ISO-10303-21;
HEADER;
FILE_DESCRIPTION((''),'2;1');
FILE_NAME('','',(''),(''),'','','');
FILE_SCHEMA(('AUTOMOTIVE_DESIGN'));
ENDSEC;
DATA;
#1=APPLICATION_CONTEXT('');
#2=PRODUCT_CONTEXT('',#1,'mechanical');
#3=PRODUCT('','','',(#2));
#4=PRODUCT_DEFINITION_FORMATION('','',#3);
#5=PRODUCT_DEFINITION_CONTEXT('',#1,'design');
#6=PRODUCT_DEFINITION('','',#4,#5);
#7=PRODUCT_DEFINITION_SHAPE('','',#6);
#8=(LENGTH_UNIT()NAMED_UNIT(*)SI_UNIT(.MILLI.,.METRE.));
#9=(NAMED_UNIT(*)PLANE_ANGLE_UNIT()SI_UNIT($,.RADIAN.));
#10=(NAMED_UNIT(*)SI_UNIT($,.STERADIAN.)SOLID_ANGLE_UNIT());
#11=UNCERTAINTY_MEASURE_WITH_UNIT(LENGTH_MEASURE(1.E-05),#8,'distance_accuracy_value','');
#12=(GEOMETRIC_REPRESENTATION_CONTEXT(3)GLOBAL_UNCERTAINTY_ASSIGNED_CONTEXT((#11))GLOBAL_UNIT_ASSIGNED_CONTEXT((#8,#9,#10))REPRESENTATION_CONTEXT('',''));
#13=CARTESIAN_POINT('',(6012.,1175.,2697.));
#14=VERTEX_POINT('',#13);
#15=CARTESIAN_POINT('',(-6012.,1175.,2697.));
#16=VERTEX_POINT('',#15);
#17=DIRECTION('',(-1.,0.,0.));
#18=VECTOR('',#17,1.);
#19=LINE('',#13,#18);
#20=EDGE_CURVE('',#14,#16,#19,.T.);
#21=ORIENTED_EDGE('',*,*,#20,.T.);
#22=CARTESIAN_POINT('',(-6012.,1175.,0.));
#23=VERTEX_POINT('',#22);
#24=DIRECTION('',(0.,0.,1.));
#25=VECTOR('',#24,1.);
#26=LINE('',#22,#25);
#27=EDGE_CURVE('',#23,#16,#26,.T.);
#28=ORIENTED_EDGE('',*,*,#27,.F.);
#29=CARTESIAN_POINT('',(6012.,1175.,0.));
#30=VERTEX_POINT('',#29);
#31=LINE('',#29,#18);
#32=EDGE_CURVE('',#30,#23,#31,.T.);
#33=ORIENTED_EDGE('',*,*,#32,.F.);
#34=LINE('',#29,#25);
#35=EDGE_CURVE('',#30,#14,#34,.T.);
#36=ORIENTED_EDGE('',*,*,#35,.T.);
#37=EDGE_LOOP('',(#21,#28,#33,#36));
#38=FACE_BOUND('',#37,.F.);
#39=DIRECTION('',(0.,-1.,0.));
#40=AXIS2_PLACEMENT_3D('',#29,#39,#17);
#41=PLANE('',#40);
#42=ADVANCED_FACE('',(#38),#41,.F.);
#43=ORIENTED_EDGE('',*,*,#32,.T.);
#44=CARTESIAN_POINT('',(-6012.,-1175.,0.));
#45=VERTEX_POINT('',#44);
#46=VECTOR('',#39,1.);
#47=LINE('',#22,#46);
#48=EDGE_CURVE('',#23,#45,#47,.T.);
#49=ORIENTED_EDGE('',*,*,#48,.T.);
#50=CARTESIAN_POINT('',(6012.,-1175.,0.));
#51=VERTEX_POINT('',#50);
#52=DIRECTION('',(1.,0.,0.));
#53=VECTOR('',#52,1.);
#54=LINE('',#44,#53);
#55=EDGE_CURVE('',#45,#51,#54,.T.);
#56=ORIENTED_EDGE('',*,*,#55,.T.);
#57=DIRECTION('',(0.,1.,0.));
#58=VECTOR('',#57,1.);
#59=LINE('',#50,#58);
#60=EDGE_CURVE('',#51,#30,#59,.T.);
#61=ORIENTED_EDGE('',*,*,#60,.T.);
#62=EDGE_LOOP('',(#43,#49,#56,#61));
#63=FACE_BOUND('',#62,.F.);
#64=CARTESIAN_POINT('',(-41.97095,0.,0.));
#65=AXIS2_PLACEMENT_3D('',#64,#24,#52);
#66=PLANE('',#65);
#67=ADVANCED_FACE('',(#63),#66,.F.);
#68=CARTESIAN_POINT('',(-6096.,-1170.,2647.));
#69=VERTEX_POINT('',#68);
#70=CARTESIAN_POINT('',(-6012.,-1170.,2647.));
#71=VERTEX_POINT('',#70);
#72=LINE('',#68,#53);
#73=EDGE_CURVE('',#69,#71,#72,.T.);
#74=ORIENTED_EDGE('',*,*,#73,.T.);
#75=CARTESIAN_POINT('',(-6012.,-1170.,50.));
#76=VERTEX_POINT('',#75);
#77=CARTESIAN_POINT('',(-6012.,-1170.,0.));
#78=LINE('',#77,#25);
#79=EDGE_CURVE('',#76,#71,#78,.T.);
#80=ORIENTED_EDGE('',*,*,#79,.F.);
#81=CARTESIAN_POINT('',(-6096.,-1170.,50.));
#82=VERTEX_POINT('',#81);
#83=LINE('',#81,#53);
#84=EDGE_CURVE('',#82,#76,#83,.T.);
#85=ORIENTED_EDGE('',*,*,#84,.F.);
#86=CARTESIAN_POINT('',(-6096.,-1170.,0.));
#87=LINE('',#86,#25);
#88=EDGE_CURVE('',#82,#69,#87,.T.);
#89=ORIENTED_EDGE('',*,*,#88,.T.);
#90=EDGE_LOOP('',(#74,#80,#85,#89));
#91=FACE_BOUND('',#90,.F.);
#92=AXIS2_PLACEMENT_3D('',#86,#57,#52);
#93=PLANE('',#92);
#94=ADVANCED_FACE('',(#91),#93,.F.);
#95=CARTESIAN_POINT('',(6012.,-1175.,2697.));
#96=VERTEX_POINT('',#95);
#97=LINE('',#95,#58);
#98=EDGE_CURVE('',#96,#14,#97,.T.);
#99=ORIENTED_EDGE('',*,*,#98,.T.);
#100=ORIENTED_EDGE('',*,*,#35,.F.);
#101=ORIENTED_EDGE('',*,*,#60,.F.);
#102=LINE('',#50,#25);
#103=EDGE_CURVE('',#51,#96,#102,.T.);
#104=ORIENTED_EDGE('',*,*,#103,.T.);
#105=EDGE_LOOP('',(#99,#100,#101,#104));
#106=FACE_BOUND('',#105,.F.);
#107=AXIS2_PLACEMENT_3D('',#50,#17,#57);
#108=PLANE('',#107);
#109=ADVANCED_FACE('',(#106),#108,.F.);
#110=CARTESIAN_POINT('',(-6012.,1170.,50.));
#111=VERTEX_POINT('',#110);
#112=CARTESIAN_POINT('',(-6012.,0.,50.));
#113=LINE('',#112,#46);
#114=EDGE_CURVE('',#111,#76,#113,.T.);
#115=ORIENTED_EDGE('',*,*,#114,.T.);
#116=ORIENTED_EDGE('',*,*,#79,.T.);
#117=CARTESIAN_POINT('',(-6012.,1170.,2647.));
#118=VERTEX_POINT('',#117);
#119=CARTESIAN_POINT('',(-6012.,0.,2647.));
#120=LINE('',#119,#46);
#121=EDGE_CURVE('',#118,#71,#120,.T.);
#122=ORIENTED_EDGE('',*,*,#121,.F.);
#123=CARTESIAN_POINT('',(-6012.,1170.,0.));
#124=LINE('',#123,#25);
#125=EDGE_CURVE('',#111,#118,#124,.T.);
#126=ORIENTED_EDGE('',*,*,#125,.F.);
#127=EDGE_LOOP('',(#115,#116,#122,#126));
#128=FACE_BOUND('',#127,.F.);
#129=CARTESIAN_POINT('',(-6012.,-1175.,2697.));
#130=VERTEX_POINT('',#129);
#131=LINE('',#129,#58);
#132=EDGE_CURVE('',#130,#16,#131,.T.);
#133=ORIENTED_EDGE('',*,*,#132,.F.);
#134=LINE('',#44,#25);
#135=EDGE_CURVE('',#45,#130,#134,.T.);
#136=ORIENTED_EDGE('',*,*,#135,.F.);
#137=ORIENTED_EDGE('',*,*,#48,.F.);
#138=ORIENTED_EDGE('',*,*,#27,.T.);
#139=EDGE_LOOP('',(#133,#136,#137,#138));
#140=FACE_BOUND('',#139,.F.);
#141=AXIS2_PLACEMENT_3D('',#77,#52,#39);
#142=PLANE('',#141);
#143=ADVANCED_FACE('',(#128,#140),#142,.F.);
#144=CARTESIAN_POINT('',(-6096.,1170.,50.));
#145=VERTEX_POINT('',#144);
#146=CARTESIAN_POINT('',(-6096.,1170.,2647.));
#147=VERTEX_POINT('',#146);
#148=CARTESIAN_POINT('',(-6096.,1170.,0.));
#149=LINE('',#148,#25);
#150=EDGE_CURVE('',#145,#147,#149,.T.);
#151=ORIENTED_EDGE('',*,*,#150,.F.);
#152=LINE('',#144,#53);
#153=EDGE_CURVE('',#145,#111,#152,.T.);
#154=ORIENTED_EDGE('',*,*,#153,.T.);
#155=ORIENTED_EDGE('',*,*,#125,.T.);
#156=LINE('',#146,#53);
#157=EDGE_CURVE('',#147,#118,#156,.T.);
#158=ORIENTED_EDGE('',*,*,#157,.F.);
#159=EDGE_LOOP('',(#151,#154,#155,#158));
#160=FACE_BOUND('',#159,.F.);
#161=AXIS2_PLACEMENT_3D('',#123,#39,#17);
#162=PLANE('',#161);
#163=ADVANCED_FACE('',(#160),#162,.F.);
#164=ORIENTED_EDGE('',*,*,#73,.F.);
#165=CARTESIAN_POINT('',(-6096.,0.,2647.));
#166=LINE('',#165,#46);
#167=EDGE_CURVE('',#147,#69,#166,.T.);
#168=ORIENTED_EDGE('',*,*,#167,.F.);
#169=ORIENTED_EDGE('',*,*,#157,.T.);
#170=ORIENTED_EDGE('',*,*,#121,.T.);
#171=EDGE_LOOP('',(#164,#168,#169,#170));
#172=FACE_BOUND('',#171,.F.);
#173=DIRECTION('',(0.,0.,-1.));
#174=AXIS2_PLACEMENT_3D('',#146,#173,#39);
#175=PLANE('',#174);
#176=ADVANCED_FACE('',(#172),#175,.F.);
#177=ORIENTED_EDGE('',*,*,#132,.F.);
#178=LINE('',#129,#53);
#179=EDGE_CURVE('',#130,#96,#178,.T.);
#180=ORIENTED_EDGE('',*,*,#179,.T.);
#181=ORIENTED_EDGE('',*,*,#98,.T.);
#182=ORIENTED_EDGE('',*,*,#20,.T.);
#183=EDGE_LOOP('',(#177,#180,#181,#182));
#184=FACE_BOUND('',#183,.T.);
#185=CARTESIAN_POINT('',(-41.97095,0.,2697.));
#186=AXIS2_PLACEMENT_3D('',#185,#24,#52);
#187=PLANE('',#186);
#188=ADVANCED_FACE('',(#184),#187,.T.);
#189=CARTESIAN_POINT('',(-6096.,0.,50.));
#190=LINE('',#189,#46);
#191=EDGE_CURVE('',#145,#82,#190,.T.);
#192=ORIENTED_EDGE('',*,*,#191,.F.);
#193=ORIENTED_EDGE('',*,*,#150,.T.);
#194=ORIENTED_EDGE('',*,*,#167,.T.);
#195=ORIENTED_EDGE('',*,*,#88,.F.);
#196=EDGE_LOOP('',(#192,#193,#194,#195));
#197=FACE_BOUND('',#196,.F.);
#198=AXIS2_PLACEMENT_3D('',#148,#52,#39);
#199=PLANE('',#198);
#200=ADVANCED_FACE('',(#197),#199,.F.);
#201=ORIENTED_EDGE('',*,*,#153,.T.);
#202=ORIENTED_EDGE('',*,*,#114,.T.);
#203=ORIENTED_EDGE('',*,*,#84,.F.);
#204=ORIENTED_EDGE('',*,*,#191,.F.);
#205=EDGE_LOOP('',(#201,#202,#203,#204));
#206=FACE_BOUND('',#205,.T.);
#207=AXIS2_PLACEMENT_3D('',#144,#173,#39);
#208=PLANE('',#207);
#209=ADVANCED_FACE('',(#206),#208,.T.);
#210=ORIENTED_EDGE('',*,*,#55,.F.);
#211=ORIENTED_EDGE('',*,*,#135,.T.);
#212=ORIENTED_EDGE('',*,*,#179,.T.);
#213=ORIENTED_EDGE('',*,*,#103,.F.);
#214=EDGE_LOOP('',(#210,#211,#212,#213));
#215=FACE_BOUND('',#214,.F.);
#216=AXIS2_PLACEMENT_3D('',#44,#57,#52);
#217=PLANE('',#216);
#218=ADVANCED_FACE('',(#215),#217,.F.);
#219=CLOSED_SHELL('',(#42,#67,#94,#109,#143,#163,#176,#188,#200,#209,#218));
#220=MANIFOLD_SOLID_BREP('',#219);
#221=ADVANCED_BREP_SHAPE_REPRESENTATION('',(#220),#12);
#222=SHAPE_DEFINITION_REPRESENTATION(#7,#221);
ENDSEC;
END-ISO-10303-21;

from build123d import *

# Parameters (mm, degrees)
F1_DEPTH = 2697
F2_W     = 2340
F2_H     = 50
F3_DEPTH = 84


with BuildPart() as f1:
    # F0 (on Top) → F1 (new body)
    with BuildSketch(Plane.XY):
        Polygon((-6012, -1175), (6012, -1175), (6012, 1175), (-6012, 1175), (-6012, 1170), (-6096, 1170), (-6096, -1170), (-6012, -1170), align=None)
    extrude(amount=F1_DEPTH)

    # F2 (on face) → F3 (cut, through all)
    with BuildSketch(Plane(origin=(-6096, 0, 0), x_dir=(0, -1, 0), z_dir=(-1, 0, 0))):
        with Locations((0, 2672)):
            Rectangle(F2_W, F2_H)
        with Locations((0, 25)):
            Rectangle(F2_W, F2_H)
    extrude(amount=-F3_DEPTH, mode=Mode.SUBTRACT)


solid = f1.part
